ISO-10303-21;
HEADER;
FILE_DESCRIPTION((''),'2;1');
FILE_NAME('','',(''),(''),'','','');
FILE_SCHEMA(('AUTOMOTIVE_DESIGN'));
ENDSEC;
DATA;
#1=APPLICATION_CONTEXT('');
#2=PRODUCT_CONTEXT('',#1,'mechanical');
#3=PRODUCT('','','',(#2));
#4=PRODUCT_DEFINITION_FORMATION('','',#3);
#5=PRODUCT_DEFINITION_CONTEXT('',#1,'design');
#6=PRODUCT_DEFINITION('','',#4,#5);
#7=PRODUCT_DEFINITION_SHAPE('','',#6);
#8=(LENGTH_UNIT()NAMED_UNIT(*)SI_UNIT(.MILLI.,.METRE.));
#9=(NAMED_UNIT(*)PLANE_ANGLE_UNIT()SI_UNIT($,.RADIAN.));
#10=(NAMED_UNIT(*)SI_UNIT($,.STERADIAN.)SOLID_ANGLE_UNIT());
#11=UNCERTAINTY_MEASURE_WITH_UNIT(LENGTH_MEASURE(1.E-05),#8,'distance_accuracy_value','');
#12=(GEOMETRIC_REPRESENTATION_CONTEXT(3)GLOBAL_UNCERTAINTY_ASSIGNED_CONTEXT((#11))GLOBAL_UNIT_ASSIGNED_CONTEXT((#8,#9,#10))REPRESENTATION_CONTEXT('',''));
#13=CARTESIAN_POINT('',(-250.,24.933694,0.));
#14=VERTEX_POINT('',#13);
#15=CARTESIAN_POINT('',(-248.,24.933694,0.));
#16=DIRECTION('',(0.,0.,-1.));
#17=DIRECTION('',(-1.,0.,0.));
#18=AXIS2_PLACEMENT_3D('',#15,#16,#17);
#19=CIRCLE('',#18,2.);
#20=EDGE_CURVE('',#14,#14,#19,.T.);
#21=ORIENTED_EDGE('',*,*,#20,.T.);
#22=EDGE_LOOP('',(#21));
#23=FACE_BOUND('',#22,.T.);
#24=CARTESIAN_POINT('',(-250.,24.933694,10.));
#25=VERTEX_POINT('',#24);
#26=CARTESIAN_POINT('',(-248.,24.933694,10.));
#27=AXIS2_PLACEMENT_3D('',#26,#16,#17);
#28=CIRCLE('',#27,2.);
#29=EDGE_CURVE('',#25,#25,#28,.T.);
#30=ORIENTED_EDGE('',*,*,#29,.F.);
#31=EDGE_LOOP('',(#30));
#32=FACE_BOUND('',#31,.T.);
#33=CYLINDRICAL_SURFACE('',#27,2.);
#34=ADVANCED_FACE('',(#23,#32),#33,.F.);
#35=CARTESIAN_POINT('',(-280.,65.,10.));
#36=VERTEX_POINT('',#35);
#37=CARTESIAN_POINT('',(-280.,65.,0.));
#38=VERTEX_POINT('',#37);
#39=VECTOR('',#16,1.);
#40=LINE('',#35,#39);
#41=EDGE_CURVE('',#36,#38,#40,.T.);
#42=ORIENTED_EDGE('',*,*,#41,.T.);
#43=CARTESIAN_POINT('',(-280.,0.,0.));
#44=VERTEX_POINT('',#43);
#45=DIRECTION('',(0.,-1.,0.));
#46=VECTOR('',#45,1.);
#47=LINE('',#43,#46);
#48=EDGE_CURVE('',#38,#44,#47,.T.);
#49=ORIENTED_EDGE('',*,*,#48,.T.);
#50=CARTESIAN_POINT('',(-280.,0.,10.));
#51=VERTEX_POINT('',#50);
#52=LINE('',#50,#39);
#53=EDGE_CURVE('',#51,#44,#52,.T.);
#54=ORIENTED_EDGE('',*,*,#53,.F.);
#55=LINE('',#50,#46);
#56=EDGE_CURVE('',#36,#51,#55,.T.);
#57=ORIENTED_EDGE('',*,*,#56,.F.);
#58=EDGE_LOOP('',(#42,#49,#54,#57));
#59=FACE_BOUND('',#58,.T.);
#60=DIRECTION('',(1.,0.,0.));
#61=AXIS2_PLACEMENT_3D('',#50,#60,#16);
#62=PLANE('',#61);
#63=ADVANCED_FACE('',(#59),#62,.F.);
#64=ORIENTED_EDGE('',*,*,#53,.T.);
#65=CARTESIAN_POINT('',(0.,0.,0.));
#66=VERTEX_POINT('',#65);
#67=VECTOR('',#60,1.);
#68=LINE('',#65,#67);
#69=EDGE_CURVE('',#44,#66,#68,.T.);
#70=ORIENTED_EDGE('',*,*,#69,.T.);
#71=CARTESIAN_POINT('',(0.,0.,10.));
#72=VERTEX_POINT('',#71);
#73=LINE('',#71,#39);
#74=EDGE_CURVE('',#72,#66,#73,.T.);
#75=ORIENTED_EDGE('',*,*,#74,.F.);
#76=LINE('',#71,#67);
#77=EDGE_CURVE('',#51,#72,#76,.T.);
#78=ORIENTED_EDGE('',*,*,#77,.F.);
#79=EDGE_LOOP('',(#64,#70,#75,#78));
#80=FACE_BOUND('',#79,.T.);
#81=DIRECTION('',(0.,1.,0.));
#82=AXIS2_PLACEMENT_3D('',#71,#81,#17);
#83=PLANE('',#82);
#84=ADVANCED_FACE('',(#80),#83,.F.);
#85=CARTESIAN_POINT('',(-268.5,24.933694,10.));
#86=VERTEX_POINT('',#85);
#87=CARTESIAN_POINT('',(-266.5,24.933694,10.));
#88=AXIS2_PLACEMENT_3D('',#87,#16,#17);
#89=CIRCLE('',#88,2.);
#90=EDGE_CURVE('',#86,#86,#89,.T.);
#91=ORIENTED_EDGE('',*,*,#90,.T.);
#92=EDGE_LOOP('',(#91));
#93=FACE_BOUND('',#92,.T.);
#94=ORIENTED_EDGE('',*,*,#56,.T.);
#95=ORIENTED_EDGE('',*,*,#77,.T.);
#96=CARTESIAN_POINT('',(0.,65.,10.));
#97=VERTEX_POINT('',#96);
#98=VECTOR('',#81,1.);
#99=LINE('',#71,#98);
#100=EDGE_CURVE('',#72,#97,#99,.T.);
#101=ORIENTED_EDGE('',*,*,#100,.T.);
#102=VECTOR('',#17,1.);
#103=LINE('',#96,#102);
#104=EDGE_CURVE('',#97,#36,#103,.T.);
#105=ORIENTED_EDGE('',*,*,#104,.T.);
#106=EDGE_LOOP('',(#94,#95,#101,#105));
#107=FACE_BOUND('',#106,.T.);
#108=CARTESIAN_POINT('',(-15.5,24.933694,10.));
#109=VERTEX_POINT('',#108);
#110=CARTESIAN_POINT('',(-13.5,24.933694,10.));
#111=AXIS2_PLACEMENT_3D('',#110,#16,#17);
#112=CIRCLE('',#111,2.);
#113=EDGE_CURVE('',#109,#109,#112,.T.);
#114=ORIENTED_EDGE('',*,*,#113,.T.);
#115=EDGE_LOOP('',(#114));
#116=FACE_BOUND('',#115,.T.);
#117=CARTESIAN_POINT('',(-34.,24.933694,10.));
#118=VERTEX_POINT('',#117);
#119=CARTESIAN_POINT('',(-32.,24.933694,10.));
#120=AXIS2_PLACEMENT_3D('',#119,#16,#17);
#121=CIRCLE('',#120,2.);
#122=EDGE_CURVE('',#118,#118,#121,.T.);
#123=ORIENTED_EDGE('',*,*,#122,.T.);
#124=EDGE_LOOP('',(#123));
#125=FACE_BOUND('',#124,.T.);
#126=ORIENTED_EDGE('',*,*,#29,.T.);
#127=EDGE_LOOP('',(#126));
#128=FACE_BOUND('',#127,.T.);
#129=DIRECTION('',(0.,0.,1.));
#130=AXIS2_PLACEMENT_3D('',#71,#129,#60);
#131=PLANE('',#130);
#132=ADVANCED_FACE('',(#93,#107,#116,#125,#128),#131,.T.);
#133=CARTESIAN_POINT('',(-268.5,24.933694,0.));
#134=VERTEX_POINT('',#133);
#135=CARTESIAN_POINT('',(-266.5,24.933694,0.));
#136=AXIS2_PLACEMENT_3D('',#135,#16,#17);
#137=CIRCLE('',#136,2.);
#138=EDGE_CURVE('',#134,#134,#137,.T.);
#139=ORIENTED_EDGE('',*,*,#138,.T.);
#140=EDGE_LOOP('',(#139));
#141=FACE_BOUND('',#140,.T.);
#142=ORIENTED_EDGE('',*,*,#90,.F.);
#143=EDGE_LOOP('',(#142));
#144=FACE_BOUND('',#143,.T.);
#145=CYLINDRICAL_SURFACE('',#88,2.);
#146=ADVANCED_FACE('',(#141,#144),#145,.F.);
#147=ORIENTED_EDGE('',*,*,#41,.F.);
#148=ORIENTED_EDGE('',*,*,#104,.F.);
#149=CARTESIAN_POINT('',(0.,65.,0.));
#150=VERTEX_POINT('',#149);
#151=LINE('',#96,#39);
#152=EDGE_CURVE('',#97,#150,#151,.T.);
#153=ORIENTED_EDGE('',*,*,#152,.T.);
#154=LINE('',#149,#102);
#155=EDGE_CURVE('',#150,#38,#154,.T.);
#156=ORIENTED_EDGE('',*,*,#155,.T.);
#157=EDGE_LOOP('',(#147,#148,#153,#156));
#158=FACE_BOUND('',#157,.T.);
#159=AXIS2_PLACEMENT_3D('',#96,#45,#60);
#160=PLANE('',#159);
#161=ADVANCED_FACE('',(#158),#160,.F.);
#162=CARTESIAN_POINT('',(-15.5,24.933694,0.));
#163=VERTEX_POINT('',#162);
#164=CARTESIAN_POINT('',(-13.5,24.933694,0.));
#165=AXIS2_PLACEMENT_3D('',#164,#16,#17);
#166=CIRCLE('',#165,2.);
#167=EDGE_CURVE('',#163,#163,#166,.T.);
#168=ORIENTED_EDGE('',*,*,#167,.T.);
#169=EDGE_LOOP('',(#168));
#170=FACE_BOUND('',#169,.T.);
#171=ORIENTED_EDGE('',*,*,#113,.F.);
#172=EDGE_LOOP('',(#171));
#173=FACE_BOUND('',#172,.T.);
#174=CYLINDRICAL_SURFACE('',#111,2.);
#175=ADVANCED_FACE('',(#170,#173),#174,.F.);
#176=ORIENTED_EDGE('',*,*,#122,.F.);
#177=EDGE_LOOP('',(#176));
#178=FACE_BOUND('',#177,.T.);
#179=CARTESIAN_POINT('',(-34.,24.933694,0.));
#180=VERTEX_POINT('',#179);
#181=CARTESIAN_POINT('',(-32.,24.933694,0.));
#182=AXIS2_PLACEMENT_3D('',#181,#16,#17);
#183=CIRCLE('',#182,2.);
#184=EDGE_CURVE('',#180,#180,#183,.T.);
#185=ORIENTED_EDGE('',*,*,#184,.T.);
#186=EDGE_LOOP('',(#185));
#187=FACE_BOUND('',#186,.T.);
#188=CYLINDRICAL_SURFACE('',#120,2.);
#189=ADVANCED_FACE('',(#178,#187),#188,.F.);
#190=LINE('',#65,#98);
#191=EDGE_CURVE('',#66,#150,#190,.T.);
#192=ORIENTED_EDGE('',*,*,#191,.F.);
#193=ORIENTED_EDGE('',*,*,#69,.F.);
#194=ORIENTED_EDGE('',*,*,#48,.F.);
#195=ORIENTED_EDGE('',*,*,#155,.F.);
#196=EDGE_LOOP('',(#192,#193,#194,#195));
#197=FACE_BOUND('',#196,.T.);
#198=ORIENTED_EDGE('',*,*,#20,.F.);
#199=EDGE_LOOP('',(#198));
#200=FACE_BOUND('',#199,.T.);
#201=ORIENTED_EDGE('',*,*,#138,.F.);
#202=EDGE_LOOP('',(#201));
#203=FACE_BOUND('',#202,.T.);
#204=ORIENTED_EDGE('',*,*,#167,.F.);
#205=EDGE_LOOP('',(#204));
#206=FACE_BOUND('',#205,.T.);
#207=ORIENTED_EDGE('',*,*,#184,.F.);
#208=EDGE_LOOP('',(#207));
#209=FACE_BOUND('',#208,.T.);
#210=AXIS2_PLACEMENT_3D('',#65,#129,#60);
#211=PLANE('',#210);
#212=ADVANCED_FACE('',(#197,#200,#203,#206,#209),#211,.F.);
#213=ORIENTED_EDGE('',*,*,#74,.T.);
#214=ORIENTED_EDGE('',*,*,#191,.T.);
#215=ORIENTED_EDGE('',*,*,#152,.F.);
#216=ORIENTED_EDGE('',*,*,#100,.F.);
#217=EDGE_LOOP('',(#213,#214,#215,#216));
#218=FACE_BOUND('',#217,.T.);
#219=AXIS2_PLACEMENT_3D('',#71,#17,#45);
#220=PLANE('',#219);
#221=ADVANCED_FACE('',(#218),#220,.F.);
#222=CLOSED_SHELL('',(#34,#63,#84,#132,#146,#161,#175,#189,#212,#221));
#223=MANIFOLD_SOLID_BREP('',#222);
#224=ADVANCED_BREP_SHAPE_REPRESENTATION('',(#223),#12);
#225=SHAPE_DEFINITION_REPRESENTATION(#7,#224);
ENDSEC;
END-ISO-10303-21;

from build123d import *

# Parameters (mm, degrees)
SCHIZZO1_W                   = 280
SCHIZZO1_H                   = 65
ESTRUSIONE_ESTRUSIONE1_DEPTH = 10
SCHIZZO2_R                   = 2
TAGLIO_ESTRUSIONE1_DEPTH     = 10


with BuildPart() as part:
    # Schizzo1 → Estrusione-Estrusione1 (new body)
    with BuildSketch(Plane.XY):
        with Locations((-140, 32.5)):
            Rectangle(SCHIZZO1_W, SCHIZZO1_H)
    extrude(amount=ESTRUSIONE_ESTRUSIONE1_DEPTH)

    # Schizzo2 → Taglio-Estrusione1 (cut)
    with BuildSketch(Plane(origin=(0, 0, 0), x_dir=(-1, 0, 0), z_dir=(0, 0, -1))):
        with Locations((248, 24.933694222)):
            Circle(SCHIZZO2_R)
        with Locations((266.5, 24.933694222)):
            Circle(SCHIZZO2_R)
        with Locations((13.5, 24.933694222)):
            Circle(SCHIZZO2_R)
        with Locations((32, 24.933694222)):
            Circle(SCHIZZO2_R)
    extrude(amount=-TAGLIO_ESTRUSIONE1_DEPTH, mode=Mode.SUBTRACT)


solid = part.part
